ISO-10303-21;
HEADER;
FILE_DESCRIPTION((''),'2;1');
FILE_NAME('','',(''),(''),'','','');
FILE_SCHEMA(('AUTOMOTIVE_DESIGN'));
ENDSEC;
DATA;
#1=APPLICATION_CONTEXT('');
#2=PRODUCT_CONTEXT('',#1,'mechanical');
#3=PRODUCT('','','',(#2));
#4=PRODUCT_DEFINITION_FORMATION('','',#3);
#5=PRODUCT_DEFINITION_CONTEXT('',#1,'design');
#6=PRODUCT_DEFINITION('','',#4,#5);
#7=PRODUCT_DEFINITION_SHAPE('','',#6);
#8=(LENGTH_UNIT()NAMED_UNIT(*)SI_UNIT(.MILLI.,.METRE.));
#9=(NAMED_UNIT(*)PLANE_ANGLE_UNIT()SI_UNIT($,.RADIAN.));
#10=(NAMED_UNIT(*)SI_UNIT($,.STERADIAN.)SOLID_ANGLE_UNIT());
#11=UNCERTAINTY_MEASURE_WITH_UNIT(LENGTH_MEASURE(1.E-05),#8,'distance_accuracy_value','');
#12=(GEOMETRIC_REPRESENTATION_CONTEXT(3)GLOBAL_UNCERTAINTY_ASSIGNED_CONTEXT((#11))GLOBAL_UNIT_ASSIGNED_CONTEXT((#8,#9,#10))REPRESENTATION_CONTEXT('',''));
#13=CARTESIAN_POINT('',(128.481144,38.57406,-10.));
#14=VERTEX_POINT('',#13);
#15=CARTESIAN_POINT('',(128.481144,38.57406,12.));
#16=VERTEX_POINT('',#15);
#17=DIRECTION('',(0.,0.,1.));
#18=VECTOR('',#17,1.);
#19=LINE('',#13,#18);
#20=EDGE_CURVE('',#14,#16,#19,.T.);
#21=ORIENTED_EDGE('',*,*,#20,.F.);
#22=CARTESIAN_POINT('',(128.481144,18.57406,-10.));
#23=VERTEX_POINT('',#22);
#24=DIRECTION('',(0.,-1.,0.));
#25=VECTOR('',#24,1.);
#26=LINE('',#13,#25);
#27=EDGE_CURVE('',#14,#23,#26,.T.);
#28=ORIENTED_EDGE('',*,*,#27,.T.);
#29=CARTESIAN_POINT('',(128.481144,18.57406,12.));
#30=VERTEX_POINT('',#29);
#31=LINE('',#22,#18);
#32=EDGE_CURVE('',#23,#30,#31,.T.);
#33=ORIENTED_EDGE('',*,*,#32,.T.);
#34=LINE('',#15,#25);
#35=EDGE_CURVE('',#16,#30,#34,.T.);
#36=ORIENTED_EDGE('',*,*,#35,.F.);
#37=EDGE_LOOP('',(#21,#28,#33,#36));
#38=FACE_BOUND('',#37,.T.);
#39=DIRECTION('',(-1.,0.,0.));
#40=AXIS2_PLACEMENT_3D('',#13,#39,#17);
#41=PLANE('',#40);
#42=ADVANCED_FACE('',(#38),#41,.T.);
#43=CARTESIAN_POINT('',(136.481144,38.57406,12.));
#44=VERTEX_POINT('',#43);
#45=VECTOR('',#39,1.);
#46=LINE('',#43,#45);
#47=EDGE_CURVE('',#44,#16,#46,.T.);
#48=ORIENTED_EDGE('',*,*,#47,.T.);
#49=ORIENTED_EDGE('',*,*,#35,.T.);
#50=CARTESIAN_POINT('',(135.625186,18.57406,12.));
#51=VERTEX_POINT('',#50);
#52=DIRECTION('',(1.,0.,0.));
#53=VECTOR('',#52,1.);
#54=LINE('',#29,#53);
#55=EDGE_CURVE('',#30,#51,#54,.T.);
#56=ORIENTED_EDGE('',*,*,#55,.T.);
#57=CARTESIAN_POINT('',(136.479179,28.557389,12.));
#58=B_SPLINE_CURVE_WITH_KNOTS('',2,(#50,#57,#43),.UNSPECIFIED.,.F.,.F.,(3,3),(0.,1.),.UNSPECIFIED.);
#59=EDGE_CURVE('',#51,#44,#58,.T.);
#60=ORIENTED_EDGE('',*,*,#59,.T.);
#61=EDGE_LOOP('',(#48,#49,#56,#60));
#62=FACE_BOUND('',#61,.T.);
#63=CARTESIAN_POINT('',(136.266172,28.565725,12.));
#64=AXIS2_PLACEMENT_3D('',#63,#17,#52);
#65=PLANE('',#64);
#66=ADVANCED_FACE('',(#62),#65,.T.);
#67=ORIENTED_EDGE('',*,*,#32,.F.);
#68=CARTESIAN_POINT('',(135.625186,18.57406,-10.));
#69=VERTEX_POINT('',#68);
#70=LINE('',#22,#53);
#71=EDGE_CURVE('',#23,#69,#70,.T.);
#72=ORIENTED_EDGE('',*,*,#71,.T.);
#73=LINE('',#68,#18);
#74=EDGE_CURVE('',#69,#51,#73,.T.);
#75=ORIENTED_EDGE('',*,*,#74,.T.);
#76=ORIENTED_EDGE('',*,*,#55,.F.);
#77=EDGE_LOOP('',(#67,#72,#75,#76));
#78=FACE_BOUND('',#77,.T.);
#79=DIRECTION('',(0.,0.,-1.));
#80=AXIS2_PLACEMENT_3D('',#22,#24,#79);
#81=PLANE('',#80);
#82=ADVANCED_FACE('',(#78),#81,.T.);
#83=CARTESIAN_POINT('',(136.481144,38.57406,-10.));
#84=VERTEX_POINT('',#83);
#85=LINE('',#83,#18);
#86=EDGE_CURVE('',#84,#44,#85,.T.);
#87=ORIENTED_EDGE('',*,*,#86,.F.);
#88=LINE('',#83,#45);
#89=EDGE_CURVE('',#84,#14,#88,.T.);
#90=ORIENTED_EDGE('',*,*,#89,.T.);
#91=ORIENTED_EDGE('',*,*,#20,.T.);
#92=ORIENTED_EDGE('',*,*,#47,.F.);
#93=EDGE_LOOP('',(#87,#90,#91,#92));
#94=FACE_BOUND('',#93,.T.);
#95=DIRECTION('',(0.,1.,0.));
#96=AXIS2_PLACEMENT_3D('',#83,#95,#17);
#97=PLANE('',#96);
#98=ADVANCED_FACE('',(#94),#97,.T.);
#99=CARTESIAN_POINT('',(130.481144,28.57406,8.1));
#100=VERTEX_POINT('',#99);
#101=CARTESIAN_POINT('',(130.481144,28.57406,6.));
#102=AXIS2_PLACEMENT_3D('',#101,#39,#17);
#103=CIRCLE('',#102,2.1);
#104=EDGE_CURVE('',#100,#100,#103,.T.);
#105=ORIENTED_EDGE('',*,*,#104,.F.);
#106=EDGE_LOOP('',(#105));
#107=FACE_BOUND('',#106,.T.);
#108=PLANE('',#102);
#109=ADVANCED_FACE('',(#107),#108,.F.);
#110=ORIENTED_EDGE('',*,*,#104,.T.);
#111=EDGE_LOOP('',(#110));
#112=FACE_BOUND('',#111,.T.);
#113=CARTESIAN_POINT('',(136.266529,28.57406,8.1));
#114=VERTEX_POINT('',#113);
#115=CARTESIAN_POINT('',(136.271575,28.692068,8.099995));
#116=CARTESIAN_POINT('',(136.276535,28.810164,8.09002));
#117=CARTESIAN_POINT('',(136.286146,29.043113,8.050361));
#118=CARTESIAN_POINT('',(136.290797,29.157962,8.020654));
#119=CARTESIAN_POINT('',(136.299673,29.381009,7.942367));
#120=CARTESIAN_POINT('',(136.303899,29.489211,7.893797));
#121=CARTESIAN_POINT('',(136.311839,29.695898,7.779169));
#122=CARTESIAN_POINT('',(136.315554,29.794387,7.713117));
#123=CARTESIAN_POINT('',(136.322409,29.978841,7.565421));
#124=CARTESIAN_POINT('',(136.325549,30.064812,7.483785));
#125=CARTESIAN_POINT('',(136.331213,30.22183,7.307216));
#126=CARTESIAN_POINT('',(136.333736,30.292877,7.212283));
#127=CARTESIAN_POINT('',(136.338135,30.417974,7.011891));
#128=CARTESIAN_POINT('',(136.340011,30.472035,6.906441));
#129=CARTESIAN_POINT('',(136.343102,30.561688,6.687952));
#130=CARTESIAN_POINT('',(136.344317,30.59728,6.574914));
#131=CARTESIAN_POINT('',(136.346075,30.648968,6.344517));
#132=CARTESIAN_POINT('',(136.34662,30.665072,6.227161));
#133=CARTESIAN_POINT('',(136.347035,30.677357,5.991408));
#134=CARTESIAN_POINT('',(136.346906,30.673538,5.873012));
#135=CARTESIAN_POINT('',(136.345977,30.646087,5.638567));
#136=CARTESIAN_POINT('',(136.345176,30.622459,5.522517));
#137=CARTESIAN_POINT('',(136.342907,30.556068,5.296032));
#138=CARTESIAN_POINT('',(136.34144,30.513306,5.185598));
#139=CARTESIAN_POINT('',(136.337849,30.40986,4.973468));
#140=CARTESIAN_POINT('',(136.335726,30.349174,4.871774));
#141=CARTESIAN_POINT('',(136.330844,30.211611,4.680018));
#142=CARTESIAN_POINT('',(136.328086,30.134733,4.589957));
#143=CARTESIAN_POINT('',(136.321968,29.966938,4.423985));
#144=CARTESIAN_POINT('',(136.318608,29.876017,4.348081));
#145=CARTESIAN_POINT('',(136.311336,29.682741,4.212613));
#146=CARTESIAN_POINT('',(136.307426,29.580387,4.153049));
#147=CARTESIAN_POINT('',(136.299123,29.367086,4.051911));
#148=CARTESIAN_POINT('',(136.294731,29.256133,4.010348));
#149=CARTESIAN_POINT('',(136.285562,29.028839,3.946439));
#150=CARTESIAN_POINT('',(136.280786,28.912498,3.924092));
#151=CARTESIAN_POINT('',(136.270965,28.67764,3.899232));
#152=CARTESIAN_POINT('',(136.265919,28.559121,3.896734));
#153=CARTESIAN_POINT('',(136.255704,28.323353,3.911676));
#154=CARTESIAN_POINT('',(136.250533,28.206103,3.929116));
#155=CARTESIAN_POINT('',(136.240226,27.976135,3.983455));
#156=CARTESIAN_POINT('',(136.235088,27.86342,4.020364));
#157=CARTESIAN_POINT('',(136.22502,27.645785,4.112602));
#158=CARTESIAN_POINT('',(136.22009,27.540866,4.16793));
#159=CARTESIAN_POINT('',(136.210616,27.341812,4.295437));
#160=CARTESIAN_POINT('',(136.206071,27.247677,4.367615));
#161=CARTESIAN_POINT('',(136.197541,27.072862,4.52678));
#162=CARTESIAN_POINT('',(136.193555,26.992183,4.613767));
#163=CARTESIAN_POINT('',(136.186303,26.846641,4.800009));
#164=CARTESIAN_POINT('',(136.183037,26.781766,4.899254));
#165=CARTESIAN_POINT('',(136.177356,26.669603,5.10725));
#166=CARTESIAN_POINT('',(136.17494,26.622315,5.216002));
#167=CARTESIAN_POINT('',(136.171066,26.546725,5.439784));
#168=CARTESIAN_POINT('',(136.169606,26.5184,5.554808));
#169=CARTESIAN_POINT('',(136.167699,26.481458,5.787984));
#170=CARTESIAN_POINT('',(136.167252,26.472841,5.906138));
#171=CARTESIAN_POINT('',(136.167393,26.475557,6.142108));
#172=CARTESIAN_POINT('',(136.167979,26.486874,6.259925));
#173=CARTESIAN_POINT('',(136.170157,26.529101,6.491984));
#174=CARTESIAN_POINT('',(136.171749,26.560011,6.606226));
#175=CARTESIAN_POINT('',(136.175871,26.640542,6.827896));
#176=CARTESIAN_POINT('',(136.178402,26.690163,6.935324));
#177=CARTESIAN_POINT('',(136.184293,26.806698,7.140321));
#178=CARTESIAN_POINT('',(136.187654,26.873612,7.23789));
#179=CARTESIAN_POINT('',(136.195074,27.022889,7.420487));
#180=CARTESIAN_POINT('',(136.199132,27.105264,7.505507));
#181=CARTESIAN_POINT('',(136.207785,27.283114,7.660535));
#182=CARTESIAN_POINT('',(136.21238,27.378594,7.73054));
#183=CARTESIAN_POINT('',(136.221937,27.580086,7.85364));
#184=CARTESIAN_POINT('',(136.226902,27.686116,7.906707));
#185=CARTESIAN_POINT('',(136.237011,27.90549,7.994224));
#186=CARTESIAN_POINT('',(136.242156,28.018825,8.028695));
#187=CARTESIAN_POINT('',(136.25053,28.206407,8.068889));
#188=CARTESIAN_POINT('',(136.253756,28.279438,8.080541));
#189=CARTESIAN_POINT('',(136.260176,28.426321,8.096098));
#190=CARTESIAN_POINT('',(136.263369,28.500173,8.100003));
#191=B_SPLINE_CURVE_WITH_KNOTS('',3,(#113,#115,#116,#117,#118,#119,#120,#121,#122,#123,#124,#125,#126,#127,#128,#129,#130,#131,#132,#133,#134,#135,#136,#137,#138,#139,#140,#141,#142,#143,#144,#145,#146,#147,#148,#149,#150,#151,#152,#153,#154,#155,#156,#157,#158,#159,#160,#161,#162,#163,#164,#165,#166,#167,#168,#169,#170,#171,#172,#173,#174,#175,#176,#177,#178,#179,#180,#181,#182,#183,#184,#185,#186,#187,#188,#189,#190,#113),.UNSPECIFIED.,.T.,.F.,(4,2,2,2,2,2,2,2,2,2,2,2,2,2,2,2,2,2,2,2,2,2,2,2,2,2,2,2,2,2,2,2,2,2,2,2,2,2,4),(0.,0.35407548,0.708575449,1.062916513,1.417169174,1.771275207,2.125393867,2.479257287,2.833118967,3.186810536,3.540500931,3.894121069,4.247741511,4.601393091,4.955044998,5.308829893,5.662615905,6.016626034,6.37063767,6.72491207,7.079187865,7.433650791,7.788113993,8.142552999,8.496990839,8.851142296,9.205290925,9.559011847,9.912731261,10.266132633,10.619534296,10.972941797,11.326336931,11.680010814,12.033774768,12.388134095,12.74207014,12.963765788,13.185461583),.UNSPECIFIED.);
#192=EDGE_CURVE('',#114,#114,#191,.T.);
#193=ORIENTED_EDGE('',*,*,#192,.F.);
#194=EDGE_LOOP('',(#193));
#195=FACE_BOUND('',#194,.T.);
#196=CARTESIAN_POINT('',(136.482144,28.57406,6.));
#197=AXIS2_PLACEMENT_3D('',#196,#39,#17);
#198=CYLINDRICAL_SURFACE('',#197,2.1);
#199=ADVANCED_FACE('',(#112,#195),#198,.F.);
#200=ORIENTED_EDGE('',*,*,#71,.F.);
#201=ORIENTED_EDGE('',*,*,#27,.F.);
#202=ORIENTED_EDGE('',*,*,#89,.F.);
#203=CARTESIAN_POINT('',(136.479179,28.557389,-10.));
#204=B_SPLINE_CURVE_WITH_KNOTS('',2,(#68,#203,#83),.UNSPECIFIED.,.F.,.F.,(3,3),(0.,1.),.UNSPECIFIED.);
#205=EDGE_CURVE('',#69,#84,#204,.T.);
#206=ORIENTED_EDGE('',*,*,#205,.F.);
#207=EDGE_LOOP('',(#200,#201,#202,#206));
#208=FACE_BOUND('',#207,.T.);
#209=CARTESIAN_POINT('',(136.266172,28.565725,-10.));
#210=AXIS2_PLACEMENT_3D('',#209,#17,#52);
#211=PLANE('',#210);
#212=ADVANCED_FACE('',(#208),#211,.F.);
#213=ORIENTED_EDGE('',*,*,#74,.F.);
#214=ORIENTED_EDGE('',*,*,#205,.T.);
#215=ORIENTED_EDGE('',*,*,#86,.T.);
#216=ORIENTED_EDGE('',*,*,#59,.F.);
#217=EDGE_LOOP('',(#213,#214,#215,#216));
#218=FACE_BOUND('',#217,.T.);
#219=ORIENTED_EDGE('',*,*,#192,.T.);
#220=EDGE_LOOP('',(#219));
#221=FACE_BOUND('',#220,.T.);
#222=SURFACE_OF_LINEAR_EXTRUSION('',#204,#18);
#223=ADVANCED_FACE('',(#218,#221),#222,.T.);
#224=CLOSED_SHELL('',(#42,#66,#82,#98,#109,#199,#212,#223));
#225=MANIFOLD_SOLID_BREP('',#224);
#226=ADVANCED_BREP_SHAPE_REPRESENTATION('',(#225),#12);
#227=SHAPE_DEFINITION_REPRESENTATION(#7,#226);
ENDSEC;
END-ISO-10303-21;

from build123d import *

# Parameters (mm, degrees)
BOSS_EXTRUDE1_DEPTH      = 12
BOSS_EXTRUDE1_DEPTH_BACK = 10
CUT_EXTRUDE1_REACH       = 45.182
CUT_EXTRUDE1_START       = -2
SKETCH2_R                = 2.1


with BuildPart() as part:
    # Sketch1 → Boss-Extrude1 (new, two sides: drawn at the far end of the back side and taken through both)
    with BuildSketch(Plane.XY.offset(-BOSS_EXTRUDE1_DEPTH_BACK)):
        with BuildLine():
            Line((136.481143945, 38.574060338), (128.481143945, 38.574060338))
            Line((128.481143945, 38.574060338), (128.481143945, 18.574060338))
            Line((128.481143945, 18.574060338), (135.625186397, 18.574060338))
            add(Edge.make_bspline(
                [(136.481143945, 38.574060338), (136.479179267, 28.55738944), (135.625186397, 18.574060338)],
                knots=[0, 0, 0, 1, 1, 1], degree=2))
        make_face()
    extrude(amount=BOSS_EXTRUDE1_DEPTH + BOSS_EXTRUDE1_DEPTH_BACK)

    # Sketch2 → Cut-Extrude1 (cut, up to next)
    with BuildSketch(Plane.ZY.offset(-128.481143945).offset(CUT_EXTRUDE1_START), mode=Mode.PRIVATE) as cut_extrude1_sk1:
        with Locations((6, 28.574060338)):
            Circle(SKETCH2_R)
    cut_extrude1_tool1 = extrude(cut_extrude1_sk1.sketch, amount=-CUT_EXTRUDE1_REACH, mode=Mode.PRIVATE) & part.part
    add(cut_extrude1_tool1.solids().sort_by_distance((130.481144, 28.57406, 6))[0], mode=Mode.SUBTRACT)


solid = part.part
